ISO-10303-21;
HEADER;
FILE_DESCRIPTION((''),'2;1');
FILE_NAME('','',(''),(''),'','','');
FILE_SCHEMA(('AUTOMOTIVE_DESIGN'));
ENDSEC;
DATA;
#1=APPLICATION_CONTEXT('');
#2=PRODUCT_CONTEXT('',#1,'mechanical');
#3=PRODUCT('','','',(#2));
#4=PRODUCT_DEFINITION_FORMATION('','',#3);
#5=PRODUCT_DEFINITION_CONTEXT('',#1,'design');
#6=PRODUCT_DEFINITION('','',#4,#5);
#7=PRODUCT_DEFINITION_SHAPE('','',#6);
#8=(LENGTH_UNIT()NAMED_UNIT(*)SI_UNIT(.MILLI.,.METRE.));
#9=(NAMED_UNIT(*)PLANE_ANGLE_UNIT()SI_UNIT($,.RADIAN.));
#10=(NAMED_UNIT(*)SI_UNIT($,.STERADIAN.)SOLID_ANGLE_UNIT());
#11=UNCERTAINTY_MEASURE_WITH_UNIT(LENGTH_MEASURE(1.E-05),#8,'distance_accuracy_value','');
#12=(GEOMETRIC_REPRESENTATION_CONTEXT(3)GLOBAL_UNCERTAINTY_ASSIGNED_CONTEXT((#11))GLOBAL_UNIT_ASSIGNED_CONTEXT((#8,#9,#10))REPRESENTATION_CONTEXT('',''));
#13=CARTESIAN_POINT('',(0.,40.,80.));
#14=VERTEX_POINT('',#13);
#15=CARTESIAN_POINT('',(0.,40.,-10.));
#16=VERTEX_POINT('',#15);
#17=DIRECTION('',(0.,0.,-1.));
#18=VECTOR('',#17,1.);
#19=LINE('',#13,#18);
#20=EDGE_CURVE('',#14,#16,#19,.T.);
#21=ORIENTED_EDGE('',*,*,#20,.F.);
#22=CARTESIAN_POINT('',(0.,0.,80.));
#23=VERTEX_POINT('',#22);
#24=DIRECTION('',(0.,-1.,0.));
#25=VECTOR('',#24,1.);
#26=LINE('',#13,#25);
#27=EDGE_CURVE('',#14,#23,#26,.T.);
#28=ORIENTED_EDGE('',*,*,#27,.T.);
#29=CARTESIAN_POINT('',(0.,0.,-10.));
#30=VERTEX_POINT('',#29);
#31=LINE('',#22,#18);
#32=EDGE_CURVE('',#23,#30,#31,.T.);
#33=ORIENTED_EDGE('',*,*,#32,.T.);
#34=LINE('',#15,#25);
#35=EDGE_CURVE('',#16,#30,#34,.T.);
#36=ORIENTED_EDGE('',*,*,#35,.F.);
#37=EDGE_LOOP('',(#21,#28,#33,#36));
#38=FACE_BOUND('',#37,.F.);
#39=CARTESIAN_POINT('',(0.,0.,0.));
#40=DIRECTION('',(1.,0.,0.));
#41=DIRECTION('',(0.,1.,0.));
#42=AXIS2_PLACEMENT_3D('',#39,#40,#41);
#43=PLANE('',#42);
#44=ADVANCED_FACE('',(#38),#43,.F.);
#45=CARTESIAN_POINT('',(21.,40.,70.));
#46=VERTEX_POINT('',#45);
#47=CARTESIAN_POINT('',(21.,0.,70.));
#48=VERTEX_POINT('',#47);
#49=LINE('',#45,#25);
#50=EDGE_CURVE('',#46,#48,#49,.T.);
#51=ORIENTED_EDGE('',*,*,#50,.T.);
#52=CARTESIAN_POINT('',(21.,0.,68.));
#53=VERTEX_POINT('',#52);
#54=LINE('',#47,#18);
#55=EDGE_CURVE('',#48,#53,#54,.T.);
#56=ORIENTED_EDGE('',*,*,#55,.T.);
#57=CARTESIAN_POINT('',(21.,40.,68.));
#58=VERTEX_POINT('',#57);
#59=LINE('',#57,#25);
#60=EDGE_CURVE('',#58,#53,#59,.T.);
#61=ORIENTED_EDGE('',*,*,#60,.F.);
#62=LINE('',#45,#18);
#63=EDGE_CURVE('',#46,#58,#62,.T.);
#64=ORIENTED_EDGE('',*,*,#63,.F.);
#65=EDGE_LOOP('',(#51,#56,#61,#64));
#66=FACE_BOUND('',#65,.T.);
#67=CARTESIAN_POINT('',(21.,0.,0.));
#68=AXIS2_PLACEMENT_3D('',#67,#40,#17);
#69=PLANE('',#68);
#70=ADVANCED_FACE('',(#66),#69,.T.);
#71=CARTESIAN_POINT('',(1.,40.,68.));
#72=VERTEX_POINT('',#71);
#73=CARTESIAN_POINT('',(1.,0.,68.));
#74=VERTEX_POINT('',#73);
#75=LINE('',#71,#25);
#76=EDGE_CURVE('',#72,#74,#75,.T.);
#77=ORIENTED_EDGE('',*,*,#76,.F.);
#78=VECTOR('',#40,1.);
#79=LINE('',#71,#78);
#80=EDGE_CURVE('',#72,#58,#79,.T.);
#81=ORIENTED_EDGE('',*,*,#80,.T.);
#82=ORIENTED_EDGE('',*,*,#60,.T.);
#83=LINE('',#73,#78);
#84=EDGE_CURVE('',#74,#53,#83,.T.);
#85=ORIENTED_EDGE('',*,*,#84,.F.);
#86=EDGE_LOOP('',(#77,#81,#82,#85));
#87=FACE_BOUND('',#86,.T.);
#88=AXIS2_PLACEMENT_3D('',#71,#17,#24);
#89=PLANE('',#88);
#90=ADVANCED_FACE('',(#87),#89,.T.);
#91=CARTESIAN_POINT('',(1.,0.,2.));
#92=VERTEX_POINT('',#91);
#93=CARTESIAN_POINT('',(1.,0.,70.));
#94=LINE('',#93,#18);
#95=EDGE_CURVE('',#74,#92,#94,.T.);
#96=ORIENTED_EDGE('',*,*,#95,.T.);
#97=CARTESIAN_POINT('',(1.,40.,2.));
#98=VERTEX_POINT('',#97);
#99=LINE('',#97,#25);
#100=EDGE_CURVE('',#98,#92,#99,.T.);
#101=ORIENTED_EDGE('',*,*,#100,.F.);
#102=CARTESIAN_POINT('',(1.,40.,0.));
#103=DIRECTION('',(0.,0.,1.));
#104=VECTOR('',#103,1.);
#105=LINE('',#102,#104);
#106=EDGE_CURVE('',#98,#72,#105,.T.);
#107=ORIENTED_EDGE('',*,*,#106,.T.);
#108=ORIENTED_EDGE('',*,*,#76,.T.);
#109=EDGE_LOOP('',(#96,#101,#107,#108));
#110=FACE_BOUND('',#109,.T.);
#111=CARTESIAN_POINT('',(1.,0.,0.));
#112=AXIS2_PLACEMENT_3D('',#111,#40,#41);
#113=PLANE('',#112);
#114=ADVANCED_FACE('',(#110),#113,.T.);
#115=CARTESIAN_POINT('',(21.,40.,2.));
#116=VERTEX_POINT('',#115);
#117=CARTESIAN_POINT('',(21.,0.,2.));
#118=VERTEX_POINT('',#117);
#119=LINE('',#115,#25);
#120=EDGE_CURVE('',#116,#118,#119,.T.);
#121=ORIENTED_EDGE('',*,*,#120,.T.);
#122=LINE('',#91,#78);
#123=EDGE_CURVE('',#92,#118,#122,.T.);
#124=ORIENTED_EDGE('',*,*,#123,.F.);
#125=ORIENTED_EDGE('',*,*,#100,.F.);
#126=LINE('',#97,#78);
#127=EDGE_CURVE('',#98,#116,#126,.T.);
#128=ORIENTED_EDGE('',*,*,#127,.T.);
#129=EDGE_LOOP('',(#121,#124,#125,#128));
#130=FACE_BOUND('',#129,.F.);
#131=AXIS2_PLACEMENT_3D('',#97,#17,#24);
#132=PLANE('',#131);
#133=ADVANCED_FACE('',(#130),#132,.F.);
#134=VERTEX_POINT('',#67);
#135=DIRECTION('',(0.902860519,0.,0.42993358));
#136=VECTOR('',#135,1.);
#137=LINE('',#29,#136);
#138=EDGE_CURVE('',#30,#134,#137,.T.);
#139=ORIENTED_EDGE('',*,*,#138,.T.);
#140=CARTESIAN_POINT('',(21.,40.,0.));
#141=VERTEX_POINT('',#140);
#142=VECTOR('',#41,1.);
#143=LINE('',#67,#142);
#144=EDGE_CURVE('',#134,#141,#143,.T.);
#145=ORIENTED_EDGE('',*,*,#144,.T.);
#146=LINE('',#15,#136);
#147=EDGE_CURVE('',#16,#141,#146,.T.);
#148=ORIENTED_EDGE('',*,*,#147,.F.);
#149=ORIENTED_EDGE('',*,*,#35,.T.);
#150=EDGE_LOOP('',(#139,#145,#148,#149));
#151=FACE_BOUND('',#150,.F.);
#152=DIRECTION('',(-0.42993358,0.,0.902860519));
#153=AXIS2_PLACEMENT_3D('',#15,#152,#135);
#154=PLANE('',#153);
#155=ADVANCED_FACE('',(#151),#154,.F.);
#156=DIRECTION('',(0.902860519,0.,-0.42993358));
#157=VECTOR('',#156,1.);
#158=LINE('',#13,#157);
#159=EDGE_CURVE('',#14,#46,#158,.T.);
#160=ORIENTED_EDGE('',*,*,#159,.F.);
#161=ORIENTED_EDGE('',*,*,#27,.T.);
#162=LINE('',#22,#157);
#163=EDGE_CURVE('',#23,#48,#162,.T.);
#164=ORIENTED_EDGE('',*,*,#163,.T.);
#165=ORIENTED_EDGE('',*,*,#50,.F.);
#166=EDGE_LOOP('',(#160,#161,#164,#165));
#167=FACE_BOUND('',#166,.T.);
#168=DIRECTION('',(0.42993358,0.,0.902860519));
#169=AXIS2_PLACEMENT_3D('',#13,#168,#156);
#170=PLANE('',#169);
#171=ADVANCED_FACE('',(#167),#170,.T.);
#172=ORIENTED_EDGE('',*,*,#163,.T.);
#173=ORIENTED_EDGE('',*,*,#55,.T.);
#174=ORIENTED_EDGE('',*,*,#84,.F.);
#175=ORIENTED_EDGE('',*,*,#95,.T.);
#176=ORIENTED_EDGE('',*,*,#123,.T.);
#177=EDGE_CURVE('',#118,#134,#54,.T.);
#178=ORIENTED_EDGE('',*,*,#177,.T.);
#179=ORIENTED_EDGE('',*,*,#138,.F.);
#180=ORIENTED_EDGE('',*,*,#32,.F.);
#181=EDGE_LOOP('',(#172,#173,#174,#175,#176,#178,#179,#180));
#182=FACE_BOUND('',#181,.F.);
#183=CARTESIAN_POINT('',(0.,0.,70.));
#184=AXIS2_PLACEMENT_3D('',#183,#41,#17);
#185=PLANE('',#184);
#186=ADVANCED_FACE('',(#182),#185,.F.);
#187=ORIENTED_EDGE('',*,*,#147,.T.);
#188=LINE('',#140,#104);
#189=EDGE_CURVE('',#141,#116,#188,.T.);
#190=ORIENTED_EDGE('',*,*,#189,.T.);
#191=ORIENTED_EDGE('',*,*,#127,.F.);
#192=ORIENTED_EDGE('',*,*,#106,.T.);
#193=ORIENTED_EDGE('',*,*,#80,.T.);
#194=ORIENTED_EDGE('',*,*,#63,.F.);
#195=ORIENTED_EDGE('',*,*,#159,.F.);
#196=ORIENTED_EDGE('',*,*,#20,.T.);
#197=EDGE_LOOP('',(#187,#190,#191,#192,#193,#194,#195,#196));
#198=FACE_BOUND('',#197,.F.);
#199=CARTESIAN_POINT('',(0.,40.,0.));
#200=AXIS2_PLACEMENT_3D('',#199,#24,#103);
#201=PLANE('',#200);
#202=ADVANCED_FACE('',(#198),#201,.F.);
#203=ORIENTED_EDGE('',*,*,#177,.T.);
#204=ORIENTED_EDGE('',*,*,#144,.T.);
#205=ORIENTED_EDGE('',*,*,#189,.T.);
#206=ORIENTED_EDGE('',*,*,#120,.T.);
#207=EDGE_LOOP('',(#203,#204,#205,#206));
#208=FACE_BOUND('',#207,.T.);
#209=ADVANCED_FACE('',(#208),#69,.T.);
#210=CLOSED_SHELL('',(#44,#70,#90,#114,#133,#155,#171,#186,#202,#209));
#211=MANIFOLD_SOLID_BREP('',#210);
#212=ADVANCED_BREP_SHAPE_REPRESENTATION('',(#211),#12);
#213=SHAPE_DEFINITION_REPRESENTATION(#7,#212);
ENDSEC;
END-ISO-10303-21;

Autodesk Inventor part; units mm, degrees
ref_plane "YZ Plane" through (0, 0, 0) normal (1, 0, 0) x (0, 1, 0)
ref_plane "XZ Plane" through (0, 0, 0) normal (0, 1, 0) x (-1, 0, 0)
ref_plane "XY Plane" through (0, 0, 0) normal (0, 0, 1) x (1, 0, 0)
sketch "Sketch1" plane through (0, 0, 0) normal (1, 0, 0) x (0, 1, 0)
  line L0 (0, 0) -> (40, 0)
  line L1 (40, 0) -> (40, 70)
  line L2 (40, 70) -> (0, 70)
  line L3 (0, 70) -> (0, 0)
  dimension "d0" = 40
  dimension "d1" = 70
extrude "Extrusion1" add sketch "Sketch1" along normal blind 1
sketch "Sketch2" plane through (1, 0, 0) normal (1, 0, 0) x (0, 0, -1)
  line L0 (-70, 40) -> (-70, 0) projected
  line L1 (-70, 0) -> (0, 0) projected
  line L2 (-70, 40) -> (-68, 40)
  line L3 (-68, 40) -> (-68, 0)
  line L4 (-68, 0) -> (-70, 0)
  line L5 (-70, 0) -> (-70, 40)
  line L6 (0, 0) -> (0, 40) projected
  line L7 (0, 40) -> (-2, 40)
  line L8 (-2, 40) -> (-2, 0)
  line L9 (-2, 0) -> (0, 0)
  line L10 (0, 0) -> (0, 40)
  dimension "d4" = 2
  dimension "d5" = 2
extrude "Extrusion2" add sketch "Sketch2" along normal blind 20
sketch "Sketch4" plane through (0, 40, 70) normal (0, 1, 0) x (1, 0, 0)
  line L0 (0, 70) -> (0, 80)
  line L1 (21, 68) -> (21, 70) projected
  line L2 (0, 80) -> (21, 70)
  line L3 (0, 70) -> (0, 0) projected
  line L4 (0, 0) -> (0, -10)
  line L5 (0, 0) -> (21, 0) projected
  line L6 (0, -10) -> (21, 0)
  line L7 (0, 70) -> (21, 70)
  line L8 (1, 68) -> (21, 68) projected
  dimension "d8" = 10
  dimension "d9" = 10
extrude "Extrusion3" add sketch "Sketch4" against normal blind 40
properties part number "MAN_BASIS_GRIPPER" material "ABS Plastic"
